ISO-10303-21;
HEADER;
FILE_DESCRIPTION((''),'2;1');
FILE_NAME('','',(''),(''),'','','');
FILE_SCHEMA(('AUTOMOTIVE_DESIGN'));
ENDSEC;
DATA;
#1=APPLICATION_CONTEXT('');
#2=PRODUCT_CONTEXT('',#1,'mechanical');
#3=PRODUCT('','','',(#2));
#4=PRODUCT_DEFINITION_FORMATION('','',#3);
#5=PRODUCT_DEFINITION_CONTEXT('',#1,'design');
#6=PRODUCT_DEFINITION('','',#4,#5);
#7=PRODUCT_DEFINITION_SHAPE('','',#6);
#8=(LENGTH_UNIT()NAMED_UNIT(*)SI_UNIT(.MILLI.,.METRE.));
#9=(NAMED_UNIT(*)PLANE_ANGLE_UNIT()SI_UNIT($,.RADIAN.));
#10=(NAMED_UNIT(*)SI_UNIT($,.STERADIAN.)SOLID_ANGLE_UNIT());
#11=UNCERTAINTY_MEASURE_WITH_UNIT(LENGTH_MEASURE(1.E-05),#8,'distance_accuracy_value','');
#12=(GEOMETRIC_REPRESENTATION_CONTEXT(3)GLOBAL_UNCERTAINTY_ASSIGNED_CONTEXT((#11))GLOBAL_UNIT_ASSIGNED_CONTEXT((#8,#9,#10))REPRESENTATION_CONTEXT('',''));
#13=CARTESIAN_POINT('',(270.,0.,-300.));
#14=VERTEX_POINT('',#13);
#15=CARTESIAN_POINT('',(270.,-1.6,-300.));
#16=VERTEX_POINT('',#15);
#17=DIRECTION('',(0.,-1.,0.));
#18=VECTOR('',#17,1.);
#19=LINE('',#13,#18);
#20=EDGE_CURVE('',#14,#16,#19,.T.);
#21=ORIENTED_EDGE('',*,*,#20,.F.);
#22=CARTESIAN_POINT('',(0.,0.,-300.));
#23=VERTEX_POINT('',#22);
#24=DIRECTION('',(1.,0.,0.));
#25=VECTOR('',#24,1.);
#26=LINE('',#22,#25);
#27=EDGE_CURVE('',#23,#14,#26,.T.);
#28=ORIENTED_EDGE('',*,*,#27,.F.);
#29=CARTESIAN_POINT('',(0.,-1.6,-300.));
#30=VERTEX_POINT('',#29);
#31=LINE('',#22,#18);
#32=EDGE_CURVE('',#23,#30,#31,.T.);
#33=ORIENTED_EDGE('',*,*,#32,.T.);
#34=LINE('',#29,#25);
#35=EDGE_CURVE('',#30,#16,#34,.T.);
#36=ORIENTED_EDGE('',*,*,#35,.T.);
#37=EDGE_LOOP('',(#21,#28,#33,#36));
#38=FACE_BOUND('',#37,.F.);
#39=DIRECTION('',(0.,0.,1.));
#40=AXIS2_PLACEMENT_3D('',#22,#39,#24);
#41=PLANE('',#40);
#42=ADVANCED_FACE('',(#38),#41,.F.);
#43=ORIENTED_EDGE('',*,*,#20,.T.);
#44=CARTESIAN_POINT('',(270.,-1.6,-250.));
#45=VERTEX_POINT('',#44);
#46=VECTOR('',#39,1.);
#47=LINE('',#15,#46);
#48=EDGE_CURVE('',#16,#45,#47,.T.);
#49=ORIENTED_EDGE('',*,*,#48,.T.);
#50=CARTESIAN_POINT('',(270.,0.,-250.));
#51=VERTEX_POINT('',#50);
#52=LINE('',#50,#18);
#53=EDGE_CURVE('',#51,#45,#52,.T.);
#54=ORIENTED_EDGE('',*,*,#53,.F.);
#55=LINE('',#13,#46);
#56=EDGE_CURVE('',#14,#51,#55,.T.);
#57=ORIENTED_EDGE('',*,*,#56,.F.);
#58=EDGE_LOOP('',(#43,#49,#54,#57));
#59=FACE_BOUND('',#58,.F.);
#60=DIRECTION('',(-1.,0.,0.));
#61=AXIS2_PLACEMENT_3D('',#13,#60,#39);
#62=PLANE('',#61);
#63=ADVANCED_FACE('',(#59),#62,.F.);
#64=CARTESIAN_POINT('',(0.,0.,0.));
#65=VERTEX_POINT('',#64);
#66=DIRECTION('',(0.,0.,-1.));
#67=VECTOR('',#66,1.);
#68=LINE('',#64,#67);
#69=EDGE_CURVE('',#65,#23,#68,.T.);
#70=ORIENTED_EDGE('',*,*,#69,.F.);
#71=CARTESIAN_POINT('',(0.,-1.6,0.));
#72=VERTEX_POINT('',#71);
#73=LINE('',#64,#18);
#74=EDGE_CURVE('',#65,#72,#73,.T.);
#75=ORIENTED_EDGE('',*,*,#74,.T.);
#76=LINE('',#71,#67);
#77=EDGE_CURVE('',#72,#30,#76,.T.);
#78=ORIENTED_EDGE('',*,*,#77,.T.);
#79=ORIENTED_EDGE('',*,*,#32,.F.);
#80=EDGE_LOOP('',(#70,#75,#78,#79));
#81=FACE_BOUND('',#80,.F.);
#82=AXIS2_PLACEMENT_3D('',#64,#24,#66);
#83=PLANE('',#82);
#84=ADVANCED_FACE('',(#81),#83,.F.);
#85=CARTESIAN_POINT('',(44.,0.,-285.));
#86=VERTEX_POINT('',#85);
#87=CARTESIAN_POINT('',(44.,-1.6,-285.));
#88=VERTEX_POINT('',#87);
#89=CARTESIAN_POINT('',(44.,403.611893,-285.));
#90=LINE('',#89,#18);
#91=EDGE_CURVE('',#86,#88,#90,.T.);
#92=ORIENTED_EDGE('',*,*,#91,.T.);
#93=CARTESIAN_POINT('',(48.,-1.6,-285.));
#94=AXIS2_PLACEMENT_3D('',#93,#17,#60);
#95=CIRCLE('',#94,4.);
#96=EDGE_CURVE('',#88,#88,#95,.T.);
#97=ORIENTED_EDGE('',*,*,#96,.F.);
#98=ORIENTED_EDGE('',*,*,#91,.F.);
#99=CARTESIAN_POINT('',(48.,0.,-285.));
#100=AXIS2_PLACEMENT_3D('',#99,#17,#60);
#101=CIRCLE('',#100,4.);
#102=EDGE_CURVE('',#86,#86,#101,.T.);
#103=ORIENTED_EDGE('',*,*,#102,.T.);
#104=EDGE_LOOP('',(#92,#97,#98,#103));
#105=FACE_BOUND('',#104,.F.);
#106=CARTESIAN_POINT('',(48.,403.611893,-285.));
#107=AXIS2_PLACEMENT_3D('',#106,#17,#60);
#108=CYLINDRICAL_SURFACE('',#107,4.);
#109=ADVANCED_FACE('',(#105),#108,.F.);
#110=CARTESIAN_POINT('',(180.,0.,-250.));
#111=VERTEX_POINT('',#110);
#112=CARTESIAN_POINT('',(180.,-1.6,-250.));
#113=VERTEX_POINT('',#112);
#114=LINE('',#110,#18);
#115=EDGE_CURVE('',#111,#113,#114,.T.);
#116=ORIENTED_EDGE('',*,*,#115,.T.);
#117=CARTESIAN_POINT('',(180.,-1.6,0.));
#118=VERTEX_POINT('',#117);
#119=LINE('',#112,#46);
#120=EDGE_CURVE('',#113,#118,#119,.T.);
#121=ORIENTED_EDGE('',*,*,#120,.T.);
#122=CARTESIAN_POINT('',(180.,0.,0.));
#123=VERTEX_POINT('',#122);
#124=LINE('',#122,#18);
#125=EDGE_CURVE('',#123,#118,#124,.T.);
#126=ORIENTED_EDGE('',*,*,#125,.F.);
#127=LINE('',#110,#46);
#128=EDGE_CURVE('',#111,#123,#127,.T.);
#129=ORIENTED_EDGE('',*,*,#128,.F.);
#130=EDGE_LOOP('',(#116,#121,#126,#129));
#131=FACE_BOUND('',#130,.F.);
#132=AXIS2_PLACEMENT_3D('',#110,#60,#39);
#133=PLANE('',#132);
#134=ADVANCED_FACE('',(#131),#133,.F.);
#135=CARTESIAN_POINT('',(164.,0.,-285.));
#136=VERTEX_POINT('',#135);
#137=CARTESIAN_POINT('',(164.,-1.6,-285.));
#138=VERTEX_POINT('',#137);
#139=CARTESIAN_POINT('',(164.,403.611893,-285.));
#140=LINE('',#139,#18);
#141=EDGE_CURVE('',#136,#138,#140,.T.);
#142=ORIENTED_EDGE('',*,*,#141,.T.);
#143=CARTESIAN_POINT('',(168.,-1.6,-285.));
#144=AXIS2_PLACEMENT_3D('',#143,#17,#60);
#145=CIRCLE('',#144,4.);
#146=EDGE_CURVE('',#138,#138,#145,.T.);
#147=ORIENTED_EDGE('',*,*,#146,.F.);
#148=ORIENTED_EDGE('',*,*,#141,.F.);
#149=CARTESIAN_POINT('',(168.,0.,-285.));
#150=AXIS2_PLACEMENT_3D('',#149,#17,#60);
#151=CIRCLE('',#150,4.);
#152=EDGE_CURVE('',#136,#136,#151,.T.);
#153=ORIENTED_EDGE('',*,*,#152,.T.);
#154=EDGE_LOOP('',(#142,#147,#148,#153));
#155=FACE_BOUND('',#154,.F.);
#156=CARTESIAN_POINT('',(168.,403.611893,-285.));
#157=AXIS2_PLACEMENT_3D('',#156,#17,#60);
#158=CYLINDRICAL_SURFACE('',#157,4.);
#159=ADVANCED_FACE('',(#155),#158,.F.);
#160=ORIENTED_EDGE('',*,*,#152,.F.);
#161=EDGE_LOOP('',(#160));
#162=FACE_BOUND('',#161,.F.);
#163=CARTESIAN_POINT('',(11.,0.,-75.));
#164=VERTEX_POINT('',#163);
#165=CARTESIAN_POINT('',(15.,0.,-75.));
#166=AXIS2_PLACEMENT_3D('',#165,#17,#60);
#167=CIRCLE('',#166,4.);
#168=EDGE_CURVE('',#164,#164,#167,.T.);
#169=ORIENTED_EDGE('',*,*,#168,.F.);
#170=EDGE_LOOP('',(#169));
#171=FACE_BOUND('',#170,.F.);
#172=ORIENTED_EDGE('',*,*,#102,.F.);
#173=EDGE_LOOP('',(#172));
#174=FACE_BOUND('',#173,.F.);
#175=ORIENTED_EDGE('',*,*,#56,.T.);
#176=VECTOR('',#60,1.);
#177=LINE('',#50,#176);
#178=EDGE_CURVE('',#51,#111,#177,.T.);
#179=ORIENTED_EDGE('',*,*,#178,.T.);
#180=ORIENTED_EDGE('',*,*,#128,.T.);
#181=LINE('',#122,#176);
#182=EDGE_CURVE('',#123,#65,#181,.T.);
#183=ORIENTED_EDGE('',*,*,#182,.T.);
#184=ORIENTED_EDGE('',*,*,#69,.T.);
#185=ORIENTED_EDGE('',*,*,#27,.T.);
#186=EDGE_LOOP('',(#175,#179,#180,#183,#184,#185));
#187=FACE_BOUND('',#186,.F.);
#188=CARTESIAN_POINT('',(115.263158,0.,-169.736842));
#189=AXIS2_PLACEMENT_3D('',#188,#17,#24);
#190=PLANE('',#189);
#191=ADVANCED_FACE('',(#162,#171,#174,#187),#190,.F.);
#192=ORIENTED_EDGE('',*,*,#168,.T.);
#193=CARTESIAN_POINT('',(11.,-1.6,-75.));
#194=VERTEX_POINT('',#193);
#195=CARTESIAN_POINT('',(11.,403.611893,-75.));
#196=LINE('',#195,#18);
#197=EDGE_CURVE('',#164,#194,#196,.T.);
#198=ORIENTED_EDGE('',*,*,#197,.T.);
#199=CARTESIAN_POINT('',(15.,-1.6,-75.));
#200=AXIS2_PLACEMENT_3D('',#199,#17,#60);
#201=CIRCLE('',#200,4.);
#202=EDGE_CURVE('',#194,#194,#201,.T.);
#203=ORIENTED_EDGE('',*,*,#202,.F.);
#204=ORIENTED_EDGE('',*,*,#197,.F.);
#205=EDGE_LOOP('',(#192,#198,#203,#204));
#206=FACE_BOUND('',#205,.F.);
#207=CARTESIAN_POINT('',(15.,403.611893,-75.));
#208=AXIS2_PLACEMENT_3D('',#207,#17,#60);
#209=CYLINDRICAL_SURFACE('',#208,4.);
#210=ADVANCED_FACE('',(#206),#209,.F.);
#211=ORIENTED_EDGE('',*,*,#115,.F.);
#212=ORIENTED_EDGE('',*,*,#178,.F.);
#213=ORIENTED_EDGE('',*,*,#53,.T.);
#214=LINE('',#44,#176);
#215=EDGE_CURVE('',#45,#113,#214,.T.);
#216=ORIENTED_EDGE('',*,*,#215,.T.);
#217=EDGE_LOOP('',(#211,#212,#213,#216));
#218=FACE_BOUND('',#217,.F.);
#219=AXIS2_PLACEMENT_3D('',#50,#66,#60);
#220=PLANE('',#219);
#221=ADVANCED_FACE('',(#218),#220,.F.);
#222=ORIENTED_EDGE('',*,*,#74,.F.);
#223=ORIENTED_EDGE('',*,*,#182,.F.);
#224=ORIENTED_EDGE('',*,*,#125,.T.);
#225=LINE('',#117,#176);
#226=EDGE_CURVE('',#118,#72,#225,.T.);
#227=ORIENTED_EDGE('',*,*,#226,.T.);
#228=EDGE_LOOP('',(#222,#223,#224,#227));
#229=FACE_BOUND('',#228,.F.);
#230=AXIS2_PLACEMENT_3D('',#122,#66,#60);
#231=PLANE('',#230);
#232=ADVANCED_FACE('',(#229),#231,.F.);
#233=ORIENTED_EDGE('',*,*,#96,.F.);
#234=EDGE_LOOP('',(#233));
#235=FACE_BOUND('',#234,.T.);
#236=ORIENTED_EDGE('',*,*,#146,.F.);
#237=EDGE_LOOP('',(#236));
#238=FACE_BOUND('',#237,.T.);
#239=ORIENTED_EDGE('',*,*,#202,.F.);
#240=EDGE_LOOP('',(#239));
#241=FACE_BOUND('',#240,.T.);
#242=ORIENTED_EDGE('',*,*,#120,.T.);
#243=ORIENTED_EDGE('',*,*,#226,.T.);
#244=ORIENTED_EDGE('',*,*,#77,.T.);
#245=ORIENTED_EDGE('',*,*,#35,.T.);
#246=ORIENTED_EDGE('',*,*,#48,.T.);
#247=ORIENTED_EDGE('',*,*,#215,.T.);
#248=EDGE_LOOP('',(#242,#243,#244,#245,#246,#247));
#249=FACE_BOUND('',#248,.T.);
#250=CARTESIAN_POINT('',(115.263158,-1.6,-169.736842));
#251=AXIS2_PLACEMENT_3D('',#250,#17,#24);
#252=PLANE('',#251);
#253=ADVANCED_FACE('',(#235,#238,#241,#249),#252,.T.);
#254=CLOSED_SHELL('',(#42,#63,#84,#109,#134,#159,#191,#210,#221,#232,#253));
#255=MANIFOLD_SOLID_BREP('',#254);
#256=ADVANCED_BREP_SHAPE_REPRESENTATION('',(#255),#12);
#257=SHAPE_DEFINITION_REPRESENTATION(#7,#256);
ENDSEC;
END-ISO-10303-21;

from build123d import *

# Parameters (mm, degrees)
F1_DEPTH = 1.6
F2_D     = 8


with BuildPart() as f1:
    # F0 (on Front) → F1 (new body)
    with BuildSketch(Plane.XZ):
        Polygon((180, 0), (0, 0), (0, -300), (270, -300), (270, -250), (180, -250), align=None)
    extrude(amount=F1_DEPTH)

    # F2 (through all)
    with Locations(Plane(origin=(0, 0, 0), x_dir=(1, 0, 0), z_dir=(0, 1, 0))):
        with Locations((15, 75), (48, 285), (168, 285)):
            Hole(F2_D / 2)


solid = f1.part
